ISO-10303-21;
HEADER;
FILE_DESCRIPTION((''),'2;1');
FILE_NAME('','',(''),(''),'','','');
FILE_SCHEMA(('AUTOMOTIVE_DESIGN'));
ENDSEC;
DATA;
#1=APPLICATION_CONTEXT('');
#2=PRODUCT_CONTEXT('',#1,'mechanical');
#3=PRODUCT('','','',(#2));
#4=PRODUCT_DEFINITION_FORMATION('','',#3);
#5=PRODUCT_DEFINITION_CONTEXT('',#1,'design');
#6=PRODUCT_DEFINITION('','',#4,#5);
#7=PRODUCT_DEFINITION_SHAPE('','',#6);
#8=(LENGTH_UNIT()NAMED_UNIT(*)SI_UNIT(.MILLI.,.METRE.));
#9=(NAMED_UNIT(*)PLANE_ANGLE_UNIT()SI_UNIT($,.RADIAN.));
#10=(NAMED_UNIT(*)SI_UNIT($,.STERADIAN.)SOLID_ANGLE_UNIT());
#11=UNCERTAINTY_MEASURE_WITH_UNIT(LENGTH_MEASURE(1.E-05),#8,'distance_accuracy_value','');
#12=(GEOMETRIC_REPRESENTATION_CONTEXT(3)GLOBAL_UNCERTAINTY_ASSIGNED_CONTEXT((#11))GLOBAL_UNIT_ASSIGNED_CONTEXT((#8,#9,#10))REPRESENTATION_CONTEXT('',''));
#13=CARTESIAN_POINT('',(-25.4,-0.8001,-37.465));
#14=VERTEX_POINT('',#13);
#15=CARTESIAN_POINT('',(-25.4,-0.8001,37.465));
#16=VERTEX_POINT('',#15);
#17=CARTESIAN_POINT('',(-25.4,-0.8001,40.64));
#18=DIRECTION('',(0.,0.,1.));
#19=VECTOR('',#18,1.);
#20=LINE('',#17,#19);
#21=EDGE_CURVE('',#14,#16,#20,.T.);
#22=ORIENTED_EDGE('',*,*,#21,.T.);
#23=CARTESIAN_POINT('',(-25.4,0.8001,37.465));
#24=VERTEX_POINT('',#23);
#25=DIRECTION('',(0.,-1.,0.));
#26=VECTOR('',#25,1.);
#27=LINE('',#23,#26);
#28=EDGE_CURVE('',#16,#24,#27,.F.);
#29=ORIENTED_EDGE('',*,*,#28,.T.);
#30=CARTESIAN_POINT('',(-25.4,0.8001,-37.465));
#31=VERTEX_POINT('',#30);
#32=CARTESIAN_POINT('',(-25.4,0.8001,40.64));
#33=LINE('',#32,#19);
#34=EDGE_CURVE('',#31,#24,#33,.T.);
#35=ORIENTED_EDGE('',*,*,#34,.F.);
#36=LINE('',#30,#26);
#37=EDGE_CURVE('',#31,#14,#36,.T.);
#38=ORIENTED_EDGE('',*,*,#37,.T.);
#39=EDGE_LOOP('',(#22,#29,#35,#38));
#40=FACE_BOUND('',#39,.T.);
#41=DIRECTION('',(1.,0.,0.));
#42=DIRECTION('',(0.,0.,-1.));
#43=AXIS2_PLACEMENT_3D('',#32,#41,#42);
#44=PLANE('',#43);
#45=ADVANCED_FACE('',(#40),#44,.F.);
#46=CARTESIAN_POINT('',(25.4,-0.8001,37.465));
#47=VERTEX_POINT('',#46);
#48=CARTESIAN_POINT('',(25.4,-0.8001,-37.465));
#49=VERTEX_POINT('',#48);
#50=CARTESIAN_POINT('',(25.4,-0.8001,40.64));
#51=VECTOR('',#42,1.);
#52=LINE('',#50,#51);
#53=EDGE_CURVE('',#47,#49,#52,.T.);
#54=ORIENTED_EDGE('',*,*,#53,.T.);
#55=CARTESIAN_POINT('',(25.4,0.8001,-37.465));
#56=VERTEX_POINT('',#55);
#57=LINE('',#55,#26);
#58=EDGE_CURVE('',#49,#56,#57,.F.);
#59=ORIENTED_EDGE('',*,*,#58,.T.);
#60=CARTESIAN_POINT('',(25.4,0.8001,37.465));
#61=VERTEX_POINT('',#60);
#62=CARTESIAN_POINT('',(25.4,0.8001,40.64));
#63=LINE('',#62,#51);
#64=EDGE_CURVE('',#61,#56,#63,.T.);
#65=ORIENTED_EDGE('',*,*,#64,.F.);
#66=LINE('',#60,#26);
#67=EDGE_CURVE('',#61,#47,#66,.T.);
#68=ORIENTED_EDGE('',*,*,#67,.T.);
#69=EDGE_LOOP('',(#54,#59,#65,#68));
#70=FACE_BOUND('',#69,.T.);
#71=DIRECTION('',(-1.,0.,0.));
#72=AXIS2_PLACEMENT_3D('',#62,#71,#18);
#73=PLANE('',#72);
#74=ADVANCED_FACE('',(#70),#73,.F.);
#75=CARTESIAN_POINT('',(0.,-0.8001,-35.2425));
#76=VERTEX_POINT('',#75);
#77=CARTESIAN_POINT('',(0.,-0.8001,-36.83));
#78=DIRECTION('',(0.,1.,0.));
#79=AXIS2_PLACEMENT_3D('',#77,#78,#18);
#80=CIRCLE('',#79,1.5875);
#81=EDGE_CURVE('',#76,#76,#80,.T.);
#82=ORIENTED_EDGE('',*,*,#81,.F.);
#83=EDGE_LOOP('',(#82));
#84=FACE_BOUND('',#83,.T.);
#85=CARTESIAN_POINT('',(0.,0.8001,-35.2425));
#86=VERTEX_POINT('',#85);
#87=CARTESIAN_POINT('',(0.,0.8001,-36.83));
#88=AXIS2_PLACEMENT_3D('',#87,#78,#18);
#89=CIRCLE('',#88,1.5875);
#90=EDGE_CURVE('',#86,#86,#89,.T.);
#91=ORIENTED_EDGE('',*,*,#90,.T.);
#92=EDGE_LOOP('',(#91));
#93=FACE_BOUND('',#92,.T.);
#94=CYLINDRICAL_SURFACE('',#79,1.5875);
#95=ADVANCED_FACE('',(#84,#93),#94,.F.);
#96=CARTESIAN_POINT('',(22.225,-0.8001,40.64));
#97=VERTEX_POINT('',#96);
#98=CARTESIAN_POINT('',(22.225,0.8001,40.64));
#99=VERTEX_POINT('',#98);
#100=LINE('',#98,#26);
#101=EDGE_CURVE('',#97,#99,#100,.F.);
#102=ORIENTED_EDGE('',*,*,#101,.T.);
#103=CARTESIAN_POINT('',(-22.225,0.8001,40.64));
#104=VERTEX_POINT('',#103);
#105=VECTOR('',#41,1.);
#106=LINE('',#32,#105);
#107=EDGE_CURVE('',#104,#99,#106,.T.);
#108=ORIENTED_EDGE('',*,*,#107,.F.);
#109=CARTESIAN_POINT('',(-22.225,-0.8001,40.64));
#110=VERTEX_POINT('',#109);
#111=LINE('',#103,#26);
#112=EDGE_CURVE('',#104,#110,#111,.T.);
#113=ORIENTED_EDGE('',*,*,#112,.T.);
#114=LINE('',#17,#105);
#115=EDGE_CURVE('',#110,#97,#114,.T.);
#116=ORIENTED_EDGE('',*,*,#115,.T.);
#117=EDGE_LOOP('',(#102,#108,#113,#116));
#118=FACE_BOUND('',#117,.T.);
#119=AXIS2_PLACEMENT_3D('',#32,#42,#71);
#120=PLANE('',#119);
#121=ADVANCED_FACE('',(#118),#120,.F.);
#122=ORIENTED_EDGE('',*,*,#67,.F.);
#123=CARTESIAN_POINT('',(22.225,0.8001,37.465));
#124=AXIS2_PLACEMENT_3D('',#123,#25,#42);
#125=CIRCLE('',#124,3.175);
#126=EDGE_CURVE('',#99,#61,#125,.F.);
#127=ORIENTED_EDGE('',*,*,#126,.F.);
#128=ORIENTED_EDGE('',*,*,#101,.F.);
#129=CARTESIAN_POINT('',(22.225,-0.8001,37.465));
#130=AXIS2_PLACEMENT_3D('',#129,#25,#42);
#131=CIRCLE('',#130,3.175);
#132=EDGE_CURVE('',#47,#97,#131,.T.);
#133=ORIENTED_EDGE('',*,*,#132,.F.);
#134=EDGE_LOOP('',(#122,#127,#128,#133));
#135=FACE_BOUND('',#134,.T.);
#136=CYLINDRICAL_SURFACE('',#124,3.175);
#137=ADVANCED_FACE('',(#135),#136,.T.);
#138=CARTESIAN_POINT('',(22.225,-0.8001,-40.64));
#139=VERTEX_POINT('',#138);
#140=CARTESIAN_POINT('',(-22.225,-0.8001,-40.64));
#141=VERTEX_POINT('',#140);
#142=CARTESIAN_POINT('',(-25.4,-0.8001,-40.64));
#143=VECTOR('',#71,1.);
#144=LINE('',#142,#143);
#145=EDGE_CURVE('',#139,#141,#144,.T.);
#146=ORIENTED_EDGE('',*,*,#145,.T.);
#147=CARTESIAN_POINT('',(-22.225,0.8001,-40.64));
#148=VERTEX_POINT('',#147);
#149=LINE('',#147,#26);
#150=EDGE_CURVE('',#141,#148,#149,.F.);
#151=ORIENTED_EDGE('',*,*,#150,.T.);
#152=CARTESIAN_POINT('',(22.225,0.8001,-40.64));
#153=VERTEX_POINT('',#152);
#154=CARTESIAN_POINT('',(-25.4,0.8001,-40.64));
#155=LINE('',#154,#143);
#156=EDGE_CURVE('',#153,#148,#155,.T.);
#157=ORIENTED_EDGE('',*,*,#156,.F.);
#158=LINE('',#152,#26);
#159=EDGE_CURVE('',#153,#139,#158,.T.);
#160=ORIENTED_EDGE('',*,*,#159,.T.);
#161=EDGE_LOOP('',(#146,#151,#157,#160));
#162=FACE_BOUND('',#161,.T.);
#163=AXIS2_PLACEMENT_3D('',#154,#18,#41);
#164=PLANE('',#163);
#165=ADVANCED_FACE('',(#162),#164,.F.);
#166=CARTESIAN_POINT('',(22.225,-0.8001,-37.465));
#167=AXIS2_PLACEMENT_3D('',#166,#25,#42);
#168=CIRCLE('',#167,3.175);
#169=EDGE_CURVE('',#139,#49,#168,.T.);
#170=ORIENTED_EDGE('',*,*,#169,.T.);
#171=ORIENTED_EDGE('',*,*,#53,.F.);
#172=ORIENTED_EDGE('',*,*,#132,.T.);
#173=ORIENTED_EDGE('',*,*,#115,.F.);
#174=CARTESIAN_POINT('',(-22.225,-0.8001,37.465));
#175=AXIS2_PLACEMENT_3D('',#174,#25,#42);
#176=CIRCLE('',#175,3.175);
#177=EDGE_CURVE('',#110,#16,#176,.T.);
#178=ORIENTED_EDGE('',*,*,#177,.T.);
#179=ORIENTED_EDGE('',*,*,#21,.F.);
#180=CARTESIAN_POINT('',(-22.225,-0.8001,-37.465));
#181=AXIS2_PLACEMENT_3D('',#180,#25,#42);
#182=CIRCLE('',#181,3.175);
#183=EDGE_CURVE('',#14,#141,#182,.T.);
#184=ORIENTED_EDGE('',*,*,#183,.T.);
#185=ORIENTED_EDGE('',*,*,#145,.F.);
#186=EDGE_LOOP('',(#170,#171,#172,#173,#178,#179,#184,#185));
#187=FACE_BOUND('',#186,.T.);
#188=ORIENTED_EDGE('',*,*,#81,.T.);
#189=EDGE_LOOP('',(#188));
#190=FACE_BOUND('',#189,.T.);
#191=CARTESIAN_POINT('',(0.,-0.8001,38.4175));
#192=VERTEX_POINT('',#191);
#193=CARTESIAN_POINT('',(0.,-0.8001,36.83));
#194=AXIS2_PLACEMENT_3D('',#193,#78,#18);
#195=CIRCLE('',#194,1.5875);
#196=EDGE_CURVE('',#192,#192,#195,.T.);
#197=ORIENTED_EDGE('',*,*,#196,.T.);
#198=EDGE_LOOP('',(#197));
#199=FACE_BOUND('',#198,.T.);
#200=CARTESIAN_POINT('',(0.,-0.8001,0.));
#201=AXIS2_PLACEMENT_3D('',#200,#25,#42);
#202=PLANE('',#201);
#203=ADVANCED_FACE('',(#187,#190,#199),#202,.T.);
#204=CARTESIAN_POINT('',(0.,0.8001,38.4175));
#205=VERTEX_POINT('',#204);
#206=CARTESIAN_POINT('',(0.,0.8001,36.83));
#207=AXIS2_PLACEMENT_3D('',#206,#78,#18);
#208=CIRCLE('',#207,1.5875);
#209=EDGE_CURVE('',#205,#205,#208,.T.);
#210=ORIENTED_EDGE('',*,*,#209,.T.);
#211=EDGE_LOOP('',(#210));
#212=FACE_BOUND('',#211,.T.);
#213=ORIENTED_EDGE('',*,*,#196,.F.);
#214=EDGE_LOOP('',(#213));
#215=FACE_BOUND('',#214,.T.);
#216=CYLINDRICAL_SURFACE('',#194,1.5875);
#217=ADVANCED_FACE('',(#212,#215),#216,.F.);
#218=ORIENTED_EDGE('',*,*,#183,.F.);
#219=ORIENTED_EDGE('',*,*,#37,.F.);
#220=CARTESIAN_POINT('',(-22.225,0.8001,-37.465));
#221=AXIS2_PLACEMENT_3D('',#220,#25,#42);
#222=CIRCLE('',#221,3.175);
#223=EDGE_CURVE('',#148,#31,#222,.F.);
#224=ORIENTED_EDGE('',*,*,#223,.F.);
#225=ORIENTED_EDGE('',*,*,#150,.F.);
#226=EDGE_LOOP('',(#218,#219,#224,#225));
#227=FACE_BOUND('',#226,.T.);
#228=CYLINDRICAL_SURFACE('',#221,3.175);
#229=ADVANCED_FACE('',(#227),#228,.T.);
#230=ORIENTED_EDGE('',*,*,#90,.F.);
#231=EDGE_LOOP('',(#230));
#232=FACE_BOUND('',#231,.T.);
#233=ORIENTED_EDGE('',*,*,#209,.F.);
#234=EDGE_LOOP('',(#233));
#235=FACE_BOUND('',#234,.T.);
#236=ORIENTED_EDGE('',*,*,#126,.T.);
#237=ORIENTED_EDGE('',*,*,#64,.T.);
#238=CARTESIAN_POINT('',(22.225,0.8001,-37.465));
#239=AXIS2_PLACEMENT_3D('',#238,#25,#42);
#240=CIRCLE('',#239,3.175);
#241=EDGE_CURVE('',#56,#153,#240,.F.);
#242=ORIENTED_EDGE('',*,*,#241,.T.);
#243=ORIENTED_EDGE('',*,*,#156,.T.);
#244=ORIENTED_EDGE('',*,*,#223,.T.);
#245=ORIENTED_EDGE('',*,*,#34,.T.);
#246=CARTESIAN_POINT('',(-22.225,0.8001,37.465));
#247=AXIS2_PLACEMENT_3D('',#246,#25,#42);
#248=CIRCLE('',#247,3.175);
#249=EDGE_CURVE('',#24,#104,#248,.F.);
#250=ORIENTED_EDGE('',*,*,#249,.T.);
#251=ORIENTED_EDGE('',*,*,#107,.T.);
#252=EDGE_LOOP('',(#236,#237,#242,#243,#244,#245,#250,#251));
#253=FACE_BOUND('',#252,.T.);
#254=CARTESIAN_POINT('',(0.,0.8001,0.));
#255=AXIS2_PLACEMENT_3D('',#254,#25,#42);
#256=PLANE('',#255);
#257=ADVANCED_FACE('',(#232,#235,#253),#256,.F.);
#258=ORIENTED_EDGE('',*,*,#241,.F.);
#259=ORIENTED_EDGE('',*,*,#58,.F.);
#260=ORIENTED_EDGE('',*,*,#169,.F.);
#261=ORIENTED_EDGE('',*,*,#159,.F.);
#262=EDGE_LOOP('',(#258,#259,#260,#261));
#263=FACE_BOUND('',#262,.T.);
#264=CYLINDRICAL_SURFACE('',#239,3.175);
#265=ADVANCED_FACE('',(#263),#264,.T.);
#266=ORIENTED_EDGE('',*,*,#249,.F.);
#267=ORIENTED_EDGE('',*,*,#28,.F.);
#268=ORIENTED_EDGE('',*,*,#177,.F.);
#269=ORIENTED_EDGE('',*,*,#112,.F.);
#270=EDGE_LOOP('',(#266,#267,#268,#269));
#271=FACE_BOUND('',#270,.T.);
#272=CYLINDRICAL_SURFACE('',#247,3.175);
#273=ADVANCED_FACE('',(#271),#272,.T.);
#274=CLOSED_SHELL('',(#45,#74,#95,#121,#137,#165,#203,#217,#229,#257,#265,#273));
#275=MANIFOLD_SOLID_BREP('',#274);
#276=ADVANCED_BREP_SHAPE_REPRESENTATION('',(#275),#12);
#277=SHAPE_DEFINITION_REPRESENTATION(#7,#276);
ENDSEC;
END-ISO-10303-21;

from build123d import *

# Parameters (mm, degrees)
SKETCH1_W           = 50.8
SKETCH1_H           = 81.28
BOSS_EXTRUDE1_DEPTH = 0.8001
SKETCH2_R           = 1.5875
CUT_EXTRUDE1_DEPTH  = 48.951331994
FILLET1_R           = 3.175


with BuildPart() as part:
    # Sketch1 → Boss-Extrude1 (new, symmetric)
    with BuildSketch(Plane(origin=(0, 0, 0), x_dir=(1, 0, 0), z_dir=(0, 1, 0))):
        Rectangle(SKETCH1_W, SKETCH1_H)
    extrude(amount=BOSS_EXTRUDE1_DEPTH, both=True)

    # Sketch2 → Cut-Extrude1 (cut, through all)
    with BuildSketch(Plane(origin=(0, 0.8001, 0), x_dir=(1, 0, 0), z_dir=(0, 1, 0))):
        with Locations(Location((0, 36.83, 0), (0, 0, 270))):
            Circle(SKETCH2_R)
        with Locations(Location((0, -36.83, 0), (0, 0, 270))):
            Circle(SKETCH2_R)
    extrude(amount=-CUT_EXTRUDE1_DEPTH, mode=Mode.SUBTRACT)

    # Fillet1
    fillet1_edges = [part.edges().sort_by_distance(p)[0] for p in [
        (25.4, 0, 40.64),
        (-25.4, 0, 40.64),
        (-25.4, 0, -40.64),
        (25.4, 0, -40.64),
    ]]
    fillet(fillet1_edges, radius=FILLET1_R)


solid = part.part
